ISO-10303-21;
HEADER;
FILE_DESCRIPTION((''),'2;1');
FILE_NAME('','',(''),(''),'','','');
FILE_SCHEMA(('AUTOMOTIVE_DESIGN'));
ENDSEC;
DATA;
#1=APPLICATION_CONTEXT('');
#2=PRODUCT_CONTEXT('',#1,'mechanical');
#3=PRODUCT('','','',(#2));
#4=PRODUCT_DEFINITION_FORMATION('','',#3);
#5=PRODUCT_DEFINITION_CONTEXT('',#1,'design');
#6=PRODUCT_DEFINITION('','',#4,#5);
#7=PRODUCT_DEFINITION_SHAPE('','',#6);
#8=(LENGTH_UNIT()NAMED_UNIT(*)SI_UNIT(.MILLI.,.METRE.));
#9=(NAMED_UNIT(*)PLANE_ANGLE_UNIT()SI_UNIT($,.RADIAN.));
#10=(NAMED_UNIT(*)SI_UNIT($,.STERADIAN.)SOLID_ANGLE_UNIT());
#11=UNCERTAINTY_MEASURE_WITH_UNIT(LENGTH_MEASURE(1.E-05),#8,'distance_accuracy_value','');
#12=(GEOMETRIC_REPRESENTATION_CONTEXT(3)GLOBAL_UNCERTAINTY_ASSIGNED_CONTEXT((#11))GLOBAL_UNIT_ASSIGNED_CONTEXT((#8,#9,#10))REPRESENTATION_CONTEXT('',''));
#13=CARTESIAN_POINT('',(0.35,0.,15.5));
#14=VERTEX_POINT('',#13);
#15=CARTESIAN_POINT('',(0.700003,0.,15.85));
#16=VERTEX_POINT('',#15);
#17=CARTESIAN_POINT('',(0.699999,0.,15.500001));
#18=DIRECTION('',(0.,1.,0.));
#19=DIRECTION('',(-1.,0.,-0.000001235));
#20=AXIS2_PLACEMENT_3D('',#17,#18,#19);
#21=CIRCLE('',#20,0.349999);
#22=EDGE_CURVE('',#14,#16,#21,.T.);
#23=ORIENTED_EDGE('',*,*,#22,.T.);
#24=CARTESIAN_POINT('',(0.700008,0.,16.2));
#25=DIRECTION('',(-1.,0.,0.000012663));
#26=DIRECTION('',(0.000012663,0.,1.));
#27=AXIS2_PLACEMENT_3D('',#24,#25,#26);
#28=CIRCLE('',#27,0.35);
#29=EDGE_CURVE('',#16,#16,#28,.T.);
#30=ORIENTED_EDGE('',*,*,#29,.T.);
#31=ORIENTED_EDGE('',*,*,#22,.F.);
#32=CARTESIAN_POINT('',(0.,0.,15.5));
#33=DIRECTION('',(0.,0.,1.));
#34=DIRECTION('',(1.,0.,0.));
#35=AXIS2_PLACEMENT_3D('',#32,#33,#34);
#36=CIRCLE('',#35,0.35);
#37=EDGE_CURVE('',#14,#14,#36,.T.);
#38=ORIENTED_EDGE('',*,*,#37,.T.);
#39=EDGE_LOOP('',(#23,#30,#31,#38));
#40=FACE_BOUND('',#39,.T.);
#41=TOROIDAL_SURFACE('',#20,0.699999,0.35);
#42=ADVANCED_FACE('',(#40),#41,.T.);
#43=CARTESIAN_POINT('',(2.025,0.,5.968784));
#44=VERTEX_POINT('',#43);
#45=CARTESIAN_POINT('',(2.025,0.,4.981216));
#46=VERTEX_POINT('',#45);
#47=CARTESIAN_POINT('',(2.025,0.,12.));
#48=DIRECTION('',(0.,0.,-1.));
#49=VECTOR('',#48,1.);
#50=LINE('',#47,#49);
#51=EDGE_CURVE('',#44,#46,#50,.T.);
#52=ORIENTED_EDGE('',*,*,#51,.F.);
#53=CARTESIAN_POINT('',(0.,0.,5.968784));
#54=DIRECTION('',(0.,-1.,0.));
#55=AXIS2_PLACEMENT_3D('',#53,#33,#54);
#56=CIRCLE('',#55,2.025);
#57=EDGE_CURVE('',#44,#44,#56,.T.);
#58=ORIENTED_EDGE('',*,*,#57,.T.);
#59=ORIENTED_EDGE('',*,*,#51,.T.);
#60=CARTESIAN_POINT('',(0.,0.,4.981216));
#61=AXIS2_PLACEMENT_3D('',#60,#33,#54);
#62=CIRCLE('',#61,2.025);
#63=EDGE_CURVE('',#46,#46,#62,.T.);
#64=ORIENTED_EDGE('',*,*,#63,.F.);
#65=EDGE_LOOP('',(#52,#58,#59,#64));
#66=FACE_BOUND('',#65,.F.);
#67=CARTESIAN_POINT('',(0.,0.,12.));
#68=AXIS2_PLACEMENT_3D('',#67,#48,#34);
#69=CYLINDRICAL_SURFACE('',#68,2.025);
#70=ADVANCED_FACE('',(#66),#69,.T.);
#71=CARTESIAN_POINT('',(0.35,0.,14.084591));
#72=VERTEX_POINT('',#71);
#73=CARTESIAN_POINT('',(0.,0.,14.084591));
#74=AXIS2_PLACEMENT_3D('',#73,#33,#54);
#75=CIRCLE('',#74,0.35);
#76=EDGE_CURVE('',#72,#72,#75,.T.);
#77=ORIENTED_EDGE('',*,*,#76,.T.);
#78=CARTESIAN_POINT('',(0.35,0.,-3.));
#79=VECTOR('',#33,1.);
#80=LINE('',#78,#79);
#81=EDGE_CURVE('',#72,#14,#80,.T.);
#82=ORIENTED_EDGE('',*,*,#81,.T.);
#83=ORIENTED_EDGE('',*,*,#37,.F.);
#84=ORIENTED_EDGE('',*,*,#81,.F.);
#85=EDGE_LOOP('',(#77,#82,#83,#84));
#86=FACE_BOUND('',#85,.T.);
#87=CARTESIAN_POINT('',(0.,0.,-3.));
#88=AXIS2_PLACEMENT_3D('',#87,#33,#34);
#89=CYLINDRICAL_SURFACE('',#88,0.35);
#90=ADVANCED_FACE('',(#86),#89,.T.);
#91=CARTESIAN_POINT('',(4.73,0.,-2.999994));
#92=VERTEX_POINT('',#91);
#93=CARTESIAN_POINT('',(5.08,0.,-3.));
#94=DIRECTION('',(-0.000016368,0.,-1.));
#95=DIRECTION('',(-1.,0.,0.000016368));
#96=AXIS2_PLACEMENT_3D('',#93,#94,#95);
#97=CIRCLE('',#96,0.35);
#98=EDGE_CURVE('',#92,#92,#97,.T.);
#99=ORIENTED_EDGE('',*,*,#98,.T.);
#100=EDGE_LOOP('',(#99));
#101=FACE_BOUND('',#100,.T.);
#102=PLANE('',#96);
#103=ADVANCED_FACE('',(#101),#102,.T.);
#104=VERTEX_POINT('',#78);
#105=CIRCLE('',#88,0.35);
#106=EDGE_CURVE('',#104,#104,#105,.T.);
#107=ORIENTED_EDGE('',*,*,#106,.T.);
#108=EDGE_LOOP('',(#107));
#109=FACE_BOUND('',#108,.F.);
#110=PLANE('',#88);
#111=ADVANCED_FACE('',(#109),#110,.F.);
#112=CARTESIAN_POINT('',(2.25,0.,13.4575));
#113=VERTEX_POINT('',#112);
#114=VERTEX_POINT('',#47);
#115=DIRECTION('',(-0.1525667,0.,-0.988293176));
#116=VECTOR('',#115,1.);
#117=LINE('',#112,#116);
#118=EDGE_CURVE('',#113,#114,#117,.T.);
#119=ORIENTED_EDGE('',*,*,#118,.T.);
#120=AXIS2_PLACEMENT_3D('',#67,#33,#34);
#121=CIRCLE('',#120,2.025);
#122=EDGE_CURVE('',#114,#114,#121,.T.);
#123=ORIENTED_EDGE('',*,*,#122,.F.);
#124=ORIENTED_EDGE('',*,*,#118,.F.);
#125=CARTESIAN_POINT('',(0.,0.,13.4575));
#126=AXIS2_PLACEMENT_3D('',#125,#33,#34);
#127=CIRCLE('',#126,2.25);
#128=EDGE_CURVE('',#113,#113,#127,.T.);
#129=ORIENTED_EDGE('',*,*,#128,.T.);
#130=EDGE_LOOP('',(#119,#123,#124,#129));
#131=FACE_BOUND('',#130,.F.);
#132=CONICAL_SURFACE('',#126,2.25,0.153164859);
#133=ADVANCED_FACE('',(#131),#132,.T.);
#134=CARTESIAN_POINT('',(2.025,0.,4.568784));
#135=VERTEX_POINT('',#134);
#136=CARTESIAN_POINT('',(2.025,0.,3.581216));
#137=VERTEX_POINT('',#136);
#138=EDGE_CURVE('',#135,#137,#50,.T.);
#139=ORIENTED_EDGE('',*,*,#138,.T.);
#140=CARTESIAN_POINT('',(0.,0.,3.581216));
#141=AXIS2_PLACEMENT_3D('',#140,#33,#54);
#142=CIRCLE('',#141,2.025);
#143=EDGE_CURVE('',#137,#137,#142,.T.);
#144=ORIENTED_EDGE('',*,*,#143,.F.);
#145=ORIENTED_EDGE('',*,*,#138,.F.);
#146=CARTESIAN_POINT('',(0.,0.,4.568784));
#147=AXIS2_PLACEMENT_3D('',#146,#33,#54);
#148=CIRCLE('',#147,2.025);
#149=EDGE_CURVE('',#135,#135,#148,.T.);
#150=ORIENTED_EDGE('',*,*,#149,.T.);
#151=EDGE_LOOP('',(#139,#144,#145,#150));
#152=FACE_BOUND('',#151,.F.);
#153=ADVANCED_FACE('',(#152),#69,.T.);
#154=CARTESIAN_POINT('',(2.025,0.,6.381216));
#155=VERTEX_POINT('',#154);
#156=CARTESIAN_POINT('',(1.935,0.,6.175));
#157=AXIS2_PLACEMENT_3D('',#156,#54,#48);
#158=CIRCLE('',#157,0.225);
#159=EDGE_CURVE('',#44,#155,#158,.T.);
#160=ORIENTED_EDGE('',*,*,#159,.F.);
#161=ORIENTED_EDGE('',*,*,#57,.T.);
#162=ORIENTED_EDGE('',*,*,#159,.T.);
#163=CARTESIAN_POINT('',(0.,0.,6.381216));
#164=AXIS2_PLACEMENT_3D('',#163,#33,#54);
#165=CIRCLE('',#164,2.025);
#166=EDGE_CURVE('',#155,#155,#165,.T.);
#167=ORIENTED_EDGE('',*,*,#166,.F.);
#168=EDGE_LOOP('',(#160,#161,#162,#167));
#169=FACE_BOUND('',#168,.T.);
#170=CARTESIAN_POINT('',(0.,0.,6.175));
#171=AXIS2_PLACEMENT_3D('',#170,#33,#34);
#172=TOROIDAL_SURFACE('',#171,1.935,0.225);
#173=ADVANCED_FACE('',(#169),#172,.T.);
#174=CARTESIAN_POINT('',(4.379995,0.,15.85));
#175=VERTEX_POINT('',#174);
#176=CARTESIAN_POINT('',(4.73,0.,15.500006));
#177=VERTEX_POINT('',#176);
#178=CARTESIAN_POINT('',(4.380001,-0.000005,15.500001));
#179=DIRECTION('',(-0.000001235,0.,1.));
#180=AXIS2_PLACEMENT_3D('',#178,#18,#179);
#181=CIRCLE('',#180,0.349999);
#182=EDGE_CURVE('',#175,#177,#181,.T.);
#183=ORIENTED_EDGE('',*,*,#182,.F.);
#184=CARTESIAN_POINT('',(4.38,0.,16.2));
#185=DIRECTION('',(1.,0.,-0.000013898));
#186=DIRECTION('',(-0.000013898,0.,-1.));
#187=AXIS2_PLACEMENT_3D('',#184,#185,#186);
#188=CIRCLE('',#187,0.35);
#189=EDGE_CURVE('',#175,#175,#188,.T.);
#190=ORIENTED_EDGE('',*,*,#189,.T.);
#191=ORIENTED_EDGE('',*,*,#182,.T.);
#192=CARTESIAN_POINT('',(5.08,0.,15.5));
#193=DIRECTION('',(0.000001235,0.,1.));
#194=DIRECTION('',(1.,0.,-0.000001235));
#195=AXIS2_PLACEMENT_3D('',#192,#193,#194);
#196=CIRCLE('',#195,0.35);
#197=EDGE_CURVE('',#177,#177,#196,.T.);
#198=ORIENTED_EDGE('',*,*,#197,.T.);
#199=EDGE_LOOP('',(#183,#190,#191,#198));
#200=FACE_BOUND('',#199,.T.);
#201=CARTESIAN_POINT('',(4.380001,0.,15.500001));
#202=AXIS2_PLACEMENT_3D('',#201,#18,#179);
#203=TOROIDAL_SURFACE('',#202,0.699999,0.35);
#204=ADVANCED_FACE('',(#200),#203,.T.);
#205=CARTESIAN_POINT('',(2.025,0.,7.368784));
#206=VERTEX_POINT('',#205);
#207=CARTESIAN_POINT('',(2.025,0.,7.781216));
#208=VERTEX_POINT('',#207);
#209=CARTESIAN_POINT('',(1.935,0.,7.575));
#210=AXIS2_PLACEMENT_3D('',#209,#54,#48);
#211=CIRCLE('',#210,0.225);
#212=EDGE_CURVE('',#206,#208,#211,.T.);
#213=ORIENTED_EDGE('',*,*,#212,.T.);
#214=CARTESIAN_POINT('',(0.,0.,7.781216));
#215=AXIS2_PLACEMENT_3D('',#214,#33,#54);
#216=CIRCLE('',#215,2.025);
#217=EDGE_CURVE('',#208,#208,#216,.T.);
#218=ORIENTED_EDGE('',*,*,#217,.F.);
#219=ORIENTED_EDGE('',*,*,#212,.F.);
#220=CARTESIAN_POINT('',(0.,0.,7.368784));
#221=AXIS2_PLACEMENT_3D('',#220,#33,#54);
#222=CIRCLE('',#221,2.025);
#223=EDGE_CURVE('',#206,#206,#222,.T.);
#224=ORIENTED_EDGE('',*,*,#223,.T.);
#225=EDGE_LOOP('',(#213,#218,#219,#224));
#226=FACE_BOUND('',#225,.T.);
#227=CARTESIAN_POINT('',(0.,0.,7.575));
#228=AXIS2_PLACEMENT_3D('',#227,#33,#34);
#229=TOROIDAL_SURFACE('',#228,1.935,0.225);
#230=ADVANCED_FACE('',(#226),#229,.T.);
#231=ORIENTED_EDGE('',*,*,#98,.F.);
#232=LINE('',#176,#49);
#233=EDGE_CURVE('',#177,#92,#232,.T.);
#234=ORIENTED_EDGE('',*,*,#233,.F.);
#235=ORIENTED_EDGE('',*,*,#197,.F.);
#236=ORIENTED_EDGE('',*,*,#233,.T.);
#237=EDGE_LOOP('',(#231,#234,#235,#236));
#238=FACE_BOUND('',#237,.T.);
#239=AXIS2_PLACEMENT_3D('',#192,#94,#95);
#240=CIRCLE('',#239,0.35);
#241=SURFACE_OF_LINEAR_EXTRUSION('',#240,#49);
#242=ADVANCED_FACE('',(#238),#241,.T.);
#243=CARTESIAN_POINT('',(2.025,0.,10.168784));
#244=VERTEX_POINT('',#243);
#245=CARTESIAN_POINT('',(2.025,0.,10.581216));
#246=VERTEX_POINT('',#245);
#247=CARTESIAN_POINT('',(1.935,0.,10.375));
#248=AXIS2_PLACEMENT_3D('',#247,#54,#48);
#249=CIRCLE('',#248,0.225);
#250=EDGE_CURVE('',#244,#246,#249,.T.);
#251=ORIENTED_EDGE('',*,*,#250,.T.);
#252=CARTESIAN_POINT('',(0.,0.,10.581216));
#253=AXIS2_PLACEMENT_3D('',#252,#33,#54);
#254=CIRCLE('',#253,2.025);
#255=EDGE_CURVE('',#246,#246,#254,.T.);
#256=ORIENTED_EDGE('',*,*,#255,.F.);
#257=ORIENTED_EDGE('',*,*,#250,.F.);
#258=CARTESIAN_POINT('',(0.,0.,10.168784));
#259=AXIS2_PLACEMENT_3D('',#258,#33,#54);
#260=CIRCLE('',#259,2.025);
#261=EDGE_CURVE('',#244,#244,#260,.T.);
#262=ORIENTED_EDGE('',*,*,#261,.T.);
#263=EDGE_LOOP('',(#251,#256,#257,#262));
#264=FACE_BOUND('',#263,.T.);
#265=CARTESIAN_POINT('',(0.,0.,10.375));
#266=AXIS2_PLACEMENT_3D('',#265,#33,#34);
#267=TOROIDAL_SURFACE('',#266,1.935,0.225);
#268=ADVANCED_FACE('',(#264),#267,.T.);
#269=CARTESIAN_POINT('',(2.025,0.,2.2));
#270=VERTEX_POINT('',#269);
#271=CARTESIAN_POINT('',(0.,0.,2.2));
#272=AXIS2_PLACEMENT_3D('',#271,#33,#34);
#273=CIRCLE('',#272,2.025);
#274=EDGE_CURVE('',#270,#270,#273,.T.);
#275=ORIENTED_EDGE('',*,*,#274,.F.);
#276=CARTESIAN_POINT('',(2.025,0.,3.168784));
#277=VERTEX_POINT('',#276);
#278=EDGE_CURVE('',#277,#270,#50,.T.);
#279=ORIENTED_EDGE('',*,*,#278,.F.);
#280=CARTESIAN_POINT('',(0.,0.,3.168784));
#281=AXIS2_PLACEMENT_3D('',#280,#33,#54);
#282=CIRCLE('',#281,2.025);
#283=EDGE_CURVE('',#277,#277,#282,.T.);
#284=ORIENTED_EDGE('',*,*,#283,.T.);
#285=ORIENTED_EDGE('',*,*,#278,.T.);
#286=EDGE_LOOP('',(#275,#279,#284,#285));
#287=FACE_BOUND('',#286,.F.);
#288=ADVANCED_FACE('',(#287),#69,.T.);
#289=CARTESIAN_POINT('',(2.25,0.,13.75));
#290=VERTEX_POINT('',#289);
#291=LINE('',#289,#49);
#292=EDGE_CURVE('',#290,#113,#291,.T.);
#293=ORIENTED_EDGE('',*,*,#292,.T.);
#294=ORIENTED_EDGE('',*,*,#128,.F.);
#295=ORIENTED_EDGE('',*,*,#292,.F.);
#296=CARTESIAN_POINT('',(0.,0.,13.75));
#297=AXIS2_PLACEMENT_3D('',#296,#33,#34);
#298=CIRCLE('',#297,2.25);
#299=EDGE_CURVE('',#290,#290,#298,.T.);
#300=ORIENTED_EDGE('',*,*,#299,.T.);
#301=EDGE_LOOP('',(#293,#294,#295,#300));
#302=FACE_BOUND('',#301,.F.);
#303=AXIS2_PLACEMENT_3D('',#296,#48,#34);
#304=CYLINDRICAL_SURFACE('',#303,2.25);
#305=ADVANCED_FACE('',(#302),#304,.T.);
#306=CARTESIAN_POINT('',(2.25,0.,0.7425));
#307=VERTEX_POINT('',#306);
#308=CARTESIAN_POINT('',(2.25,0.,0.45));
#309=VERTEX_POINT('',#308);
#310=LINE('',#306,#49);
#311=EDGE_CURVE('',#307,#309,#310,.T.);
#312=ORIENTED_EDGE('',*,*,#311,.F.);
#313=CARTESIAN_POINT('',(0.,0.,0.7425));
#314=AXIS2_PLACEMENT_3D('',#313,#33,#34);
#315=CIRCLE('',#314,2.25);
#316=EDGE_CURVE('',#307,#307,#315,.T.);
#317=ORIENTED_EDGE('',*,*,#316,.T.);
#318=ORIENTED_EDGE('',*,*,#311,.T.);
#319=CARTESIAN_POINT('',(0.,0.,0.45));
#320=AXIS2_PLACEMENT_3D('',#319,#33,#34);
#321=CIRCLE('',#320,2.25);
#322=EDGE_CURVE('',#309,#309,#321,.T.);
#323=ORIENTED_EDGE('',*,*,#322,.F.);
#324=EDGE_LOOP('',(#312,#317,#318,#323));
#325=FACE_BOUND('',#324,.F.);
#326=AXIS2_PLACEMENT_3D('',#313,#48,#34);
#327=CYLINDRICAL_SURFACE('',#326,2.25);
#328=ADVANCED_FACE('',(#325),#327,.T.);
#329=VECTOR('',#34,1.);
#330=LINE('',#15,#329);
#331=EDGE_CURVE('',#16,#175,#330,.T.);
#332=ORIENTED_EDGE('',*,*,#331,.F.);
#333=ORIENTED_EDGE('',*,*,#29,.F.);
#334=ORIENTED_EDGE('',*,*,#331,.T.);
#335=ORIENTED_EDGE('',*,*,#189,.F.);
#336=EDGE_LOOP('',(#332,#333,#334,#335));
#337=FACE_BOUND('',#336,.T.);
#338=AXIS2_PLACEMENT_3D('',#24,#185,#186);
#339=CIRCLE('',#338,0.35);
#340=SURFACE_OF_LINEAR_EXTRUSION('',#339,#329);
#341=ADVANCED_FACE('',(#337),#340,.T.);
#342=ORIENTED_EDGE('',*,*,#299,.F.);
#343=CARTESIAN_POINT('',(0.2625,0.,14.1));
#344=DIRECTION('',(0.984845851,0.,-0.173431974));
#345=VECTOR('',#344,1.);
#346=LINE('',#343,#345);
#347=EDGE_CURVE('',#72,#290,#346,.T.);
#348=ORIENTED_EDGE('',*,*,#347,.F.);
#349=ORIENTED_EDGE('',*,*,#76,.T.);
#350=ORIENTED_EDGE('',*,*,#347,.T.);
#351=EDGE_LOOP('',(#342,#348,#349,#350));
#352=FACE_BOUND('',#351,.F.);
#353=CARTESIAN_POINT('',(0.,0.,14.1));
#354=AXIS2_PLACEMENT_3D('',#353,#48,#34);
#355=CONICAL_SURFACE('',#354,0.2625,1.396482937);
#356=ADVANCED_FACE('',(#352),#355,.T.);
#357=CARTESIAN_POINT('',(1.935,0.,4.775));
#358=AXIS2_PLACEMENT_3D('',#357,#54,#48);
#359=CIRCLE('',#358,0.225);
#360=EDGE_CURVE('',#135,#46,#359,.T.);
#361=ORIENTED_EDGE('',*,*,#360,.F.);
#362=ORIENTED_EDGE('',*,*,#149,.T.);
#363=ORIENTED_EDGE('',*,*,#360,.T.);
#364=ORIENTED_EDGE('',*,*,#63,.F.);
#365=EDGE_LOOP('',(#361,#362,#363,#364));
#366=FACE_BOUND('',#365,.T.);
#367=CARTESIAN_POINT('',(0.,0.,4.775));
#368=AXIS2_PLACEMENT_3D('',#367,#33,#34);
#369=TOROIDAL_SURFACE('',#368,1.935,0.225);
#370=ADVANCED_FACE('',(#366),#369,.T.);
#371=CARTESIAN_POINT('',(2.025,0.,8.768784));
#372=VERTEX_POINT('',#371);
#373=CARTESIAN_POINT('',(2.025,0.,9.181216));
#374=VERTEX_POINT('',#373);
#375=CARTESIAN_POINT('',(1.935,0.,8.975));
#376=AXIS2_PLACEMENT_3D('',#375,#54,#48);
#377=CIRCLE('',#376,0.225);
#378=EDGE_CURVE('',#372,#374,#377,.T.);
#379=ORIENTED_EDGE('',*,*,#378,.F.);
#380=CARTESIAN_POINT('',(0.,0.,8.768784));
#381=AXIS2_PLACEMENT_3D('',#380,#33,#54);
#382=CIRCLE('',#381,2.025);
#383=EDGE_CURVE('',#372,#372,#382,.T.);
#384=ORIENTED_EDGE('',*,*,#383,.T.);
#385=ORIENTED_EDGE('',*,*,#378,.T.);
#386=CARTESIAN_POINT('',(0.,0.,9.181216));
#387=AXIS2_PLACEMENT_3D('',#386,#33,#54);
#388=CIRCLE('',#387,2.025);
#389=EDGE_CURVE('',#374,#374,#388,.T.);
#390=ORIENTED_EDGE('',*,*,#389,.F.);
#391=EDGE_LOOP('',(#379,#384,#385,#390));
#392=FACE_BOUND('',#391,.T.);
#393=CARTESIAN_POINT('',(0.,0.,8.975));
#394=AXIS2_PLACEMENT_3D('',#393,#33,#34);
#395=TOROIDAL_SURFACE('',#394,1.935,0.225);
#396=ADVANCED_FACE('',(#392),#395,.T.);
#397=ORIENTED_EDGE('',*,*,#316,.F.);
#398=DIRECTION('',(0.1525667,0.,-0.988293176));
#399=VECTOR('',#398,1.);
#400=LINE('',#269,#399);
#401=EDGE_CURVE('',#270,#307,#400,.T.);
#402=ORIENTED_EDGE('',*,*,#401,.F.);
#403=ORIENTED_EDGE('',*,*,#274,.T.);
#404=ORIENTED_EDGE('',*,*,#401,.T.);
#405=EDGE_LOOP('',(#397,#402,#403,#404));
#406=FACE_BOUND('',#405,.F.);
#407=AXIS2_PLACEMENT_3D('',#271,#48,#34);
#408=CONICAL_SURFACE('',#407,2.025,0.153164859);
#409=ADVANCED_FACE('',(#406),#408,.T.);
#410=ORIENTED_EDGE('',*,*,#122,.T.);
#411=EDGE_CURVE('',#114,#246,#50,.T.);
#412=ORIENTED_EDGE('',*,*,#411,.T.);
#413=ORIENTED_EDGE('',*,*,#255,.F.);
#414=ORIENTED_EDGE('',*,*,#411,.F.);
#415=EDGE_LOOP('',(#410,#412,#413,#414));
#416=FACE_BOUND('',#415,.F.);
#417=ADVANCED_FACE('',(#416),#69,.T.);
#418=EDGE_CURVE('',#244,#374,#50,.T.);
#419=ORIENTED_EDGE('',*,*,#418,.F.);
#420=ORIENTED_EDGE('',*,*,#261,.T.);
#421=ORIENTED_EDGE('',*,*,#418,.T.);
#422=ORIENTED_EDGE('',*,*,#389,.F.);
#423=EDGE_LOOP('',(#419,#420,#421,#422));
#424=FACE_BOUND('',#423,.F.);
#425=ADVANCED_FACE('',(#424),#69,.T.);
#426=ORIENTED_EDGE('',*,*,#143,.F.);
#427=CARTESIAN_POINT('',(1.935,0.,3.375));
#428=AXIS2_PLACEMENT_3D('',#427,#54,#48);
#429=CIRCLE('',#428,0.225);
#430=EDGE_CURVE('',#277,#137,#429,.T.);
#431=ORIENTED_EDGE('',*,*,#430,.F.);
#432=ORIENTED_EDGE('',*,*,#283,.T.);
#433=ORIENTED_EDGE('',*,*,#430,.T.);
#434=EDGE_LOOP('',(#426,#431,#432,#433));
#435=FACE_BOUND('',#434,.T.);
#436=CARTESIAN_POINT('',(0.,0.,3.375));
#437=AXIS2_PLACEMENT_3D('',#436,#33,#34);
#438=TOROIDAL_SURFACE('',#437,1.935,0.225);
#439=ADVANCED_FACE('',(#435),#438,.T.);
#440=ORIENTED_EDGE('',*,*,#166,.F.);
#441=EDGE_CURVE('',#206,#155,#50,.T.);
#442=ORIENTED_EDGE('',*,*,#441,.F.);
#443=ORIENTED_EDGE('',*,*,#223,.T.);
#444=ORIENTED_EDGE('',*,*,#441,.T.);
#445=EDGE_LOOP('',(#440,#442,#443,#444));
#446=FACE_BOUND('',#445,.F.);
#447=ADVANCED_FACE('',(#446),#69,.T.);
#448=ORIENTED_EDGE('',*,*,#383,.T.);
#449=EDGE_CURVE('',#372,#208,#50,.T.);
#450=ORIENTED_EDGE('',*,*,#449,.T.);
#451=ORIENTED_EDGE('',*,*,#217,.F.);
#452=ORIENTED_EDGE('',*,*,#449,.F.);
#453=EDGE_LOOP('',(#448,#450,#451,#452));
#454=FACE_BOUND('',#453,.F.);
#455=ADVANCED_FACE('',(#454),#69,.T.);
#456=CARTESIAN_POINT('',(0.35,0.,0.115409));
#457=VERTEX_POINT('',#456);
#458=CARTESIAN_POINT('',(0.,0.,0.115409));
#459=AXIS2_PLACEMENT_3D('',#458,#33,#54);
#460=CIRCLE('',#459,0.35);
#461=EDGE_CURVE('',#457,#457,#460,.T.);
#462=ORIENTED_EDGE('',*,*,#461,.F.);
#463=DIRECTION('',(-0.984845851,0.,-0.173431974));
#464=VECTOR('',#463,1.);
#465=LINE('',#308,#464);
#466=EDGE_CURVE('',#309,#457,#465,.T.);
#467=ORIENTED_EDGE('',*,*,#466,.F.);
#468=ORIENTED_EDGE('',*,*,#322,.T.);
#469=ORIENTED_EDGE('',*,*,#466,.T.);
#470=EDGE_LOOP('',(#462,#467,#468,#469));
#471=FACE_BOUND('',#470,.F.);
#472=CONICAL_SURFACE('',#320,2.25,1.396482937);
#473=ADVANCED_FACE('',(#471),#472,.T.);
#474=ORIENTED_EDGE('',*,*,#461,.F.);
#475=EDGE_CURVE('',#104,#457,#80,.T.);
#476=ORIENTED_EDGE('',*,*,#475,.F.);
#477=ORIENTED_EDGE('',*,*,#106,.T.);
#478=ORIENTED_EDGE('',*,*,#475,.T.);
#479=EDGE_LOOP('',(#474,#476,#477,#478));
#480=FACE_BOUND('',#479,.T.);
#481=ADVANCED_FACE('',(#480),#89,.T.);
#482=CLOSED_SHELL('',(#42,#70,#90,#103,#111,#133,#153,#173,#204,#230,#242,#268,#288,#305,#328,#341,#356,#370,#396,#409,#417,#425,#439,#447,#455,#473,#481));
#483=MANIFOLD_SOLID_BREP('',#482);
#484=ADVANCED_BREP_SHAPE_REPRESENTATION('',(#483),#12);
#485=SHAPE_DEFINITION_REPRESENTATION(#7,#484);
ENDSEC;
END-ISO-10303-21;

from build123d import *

# Parameters (mm, degrees)
SKETCH_R = 0.35


with BuildPart() as revolution:
    # Sketch002 → Revolution (revolve)
    with BuildSketch(Plane.XZ):
        Polygon((0, 0.1), (0, 14.1), (0.2625, 14.1), (2.25, 13.75), (2.25, 13.4575), (2.025, 12), (2.025, 2.2), (2.25, 0.7425), (2.25, 0.45), (0.2625, 0.1), align=None)
    revolve(axis=Axis((0, 0, 0), (0, 0, 1)))


with BuildPart() as revolution001:
    # Sketch003 → Revolution001 (revolve)
    with BuildSketch(Plane.XZ):
        with BuildLine():
            Line((1.8, 11.55), (1.8, 2.2))
            Line((1.8, 2.2), (1.935, 2.2))
            Line((1.935, 2.2), (1.935, 3.15))
            ThreePointArc((1.935, 3.15), (2.16, 3.375), (1.935, 3.6))
            Line((1.935, 3.6), (1.935, 4.55))
            ThreePointArc((1.935, 4.55), (2.16, 4.775), (1.935, 5))
            Line((1.935, 5), (1.935, 5.95))
            ThreePointArc((1.935, 5.95), (2.16, 6.175), (1.935, 6.4))
            Line((1.935, 6.4), (1.935, 7.35))
            ThreePointArc((1.935, 7.35), (2.16, 7.575), (1.935, 7.8))
            Line((1.935, 7.8), (1.935, 8.75))
            ThreePointArc((1.935, 8.75), (2.16, 8.975), (1.935, 9.2))
            Line((1.935, 9.2), (1.935, 10.15))
            ThreePointArc((1.935, 10.15), (2.16, 10.375), (1.935, 10.6))
            Line((1.935, 11.55), (1.935, 10.6))
            Line((1.8, 11.55), (1.935, 11.55))
        make_face()
    revolve(axis=Axis((0, 0, 0), (0, 0, 1)))


with BuildPart() as sweep_mp_cp:
    # Sweep: sweep along a path in Sketch001
    with BuildLine(Plane.XZ) as sweep_path:
        Line((0, -3), (0, 15.5))
        ThreePointArc((0, 15.5), (0.205028, 15.994978), (0.700008, 16.2))
        Line((0.700008, 16.2), (4.38, 16.2))
        ThreePointArc((4.38, 16.2), (4.874975, 15.994975), (5.08, 15.5))
        Line((5.08, 15.5), (5.08, -3))
    # Sketch → Sweep (sweep)
    with BuildSketch(Plane.XY.offset(-2)):
        Circle(SKETCH_R)
    sweep(path=sweep_path.line)

    # Sweep_mp_cp: union Revolution, Revolution001
    add(revolution.part)
    add(revolution001.part)


solid = sweep_mp_cp.part
